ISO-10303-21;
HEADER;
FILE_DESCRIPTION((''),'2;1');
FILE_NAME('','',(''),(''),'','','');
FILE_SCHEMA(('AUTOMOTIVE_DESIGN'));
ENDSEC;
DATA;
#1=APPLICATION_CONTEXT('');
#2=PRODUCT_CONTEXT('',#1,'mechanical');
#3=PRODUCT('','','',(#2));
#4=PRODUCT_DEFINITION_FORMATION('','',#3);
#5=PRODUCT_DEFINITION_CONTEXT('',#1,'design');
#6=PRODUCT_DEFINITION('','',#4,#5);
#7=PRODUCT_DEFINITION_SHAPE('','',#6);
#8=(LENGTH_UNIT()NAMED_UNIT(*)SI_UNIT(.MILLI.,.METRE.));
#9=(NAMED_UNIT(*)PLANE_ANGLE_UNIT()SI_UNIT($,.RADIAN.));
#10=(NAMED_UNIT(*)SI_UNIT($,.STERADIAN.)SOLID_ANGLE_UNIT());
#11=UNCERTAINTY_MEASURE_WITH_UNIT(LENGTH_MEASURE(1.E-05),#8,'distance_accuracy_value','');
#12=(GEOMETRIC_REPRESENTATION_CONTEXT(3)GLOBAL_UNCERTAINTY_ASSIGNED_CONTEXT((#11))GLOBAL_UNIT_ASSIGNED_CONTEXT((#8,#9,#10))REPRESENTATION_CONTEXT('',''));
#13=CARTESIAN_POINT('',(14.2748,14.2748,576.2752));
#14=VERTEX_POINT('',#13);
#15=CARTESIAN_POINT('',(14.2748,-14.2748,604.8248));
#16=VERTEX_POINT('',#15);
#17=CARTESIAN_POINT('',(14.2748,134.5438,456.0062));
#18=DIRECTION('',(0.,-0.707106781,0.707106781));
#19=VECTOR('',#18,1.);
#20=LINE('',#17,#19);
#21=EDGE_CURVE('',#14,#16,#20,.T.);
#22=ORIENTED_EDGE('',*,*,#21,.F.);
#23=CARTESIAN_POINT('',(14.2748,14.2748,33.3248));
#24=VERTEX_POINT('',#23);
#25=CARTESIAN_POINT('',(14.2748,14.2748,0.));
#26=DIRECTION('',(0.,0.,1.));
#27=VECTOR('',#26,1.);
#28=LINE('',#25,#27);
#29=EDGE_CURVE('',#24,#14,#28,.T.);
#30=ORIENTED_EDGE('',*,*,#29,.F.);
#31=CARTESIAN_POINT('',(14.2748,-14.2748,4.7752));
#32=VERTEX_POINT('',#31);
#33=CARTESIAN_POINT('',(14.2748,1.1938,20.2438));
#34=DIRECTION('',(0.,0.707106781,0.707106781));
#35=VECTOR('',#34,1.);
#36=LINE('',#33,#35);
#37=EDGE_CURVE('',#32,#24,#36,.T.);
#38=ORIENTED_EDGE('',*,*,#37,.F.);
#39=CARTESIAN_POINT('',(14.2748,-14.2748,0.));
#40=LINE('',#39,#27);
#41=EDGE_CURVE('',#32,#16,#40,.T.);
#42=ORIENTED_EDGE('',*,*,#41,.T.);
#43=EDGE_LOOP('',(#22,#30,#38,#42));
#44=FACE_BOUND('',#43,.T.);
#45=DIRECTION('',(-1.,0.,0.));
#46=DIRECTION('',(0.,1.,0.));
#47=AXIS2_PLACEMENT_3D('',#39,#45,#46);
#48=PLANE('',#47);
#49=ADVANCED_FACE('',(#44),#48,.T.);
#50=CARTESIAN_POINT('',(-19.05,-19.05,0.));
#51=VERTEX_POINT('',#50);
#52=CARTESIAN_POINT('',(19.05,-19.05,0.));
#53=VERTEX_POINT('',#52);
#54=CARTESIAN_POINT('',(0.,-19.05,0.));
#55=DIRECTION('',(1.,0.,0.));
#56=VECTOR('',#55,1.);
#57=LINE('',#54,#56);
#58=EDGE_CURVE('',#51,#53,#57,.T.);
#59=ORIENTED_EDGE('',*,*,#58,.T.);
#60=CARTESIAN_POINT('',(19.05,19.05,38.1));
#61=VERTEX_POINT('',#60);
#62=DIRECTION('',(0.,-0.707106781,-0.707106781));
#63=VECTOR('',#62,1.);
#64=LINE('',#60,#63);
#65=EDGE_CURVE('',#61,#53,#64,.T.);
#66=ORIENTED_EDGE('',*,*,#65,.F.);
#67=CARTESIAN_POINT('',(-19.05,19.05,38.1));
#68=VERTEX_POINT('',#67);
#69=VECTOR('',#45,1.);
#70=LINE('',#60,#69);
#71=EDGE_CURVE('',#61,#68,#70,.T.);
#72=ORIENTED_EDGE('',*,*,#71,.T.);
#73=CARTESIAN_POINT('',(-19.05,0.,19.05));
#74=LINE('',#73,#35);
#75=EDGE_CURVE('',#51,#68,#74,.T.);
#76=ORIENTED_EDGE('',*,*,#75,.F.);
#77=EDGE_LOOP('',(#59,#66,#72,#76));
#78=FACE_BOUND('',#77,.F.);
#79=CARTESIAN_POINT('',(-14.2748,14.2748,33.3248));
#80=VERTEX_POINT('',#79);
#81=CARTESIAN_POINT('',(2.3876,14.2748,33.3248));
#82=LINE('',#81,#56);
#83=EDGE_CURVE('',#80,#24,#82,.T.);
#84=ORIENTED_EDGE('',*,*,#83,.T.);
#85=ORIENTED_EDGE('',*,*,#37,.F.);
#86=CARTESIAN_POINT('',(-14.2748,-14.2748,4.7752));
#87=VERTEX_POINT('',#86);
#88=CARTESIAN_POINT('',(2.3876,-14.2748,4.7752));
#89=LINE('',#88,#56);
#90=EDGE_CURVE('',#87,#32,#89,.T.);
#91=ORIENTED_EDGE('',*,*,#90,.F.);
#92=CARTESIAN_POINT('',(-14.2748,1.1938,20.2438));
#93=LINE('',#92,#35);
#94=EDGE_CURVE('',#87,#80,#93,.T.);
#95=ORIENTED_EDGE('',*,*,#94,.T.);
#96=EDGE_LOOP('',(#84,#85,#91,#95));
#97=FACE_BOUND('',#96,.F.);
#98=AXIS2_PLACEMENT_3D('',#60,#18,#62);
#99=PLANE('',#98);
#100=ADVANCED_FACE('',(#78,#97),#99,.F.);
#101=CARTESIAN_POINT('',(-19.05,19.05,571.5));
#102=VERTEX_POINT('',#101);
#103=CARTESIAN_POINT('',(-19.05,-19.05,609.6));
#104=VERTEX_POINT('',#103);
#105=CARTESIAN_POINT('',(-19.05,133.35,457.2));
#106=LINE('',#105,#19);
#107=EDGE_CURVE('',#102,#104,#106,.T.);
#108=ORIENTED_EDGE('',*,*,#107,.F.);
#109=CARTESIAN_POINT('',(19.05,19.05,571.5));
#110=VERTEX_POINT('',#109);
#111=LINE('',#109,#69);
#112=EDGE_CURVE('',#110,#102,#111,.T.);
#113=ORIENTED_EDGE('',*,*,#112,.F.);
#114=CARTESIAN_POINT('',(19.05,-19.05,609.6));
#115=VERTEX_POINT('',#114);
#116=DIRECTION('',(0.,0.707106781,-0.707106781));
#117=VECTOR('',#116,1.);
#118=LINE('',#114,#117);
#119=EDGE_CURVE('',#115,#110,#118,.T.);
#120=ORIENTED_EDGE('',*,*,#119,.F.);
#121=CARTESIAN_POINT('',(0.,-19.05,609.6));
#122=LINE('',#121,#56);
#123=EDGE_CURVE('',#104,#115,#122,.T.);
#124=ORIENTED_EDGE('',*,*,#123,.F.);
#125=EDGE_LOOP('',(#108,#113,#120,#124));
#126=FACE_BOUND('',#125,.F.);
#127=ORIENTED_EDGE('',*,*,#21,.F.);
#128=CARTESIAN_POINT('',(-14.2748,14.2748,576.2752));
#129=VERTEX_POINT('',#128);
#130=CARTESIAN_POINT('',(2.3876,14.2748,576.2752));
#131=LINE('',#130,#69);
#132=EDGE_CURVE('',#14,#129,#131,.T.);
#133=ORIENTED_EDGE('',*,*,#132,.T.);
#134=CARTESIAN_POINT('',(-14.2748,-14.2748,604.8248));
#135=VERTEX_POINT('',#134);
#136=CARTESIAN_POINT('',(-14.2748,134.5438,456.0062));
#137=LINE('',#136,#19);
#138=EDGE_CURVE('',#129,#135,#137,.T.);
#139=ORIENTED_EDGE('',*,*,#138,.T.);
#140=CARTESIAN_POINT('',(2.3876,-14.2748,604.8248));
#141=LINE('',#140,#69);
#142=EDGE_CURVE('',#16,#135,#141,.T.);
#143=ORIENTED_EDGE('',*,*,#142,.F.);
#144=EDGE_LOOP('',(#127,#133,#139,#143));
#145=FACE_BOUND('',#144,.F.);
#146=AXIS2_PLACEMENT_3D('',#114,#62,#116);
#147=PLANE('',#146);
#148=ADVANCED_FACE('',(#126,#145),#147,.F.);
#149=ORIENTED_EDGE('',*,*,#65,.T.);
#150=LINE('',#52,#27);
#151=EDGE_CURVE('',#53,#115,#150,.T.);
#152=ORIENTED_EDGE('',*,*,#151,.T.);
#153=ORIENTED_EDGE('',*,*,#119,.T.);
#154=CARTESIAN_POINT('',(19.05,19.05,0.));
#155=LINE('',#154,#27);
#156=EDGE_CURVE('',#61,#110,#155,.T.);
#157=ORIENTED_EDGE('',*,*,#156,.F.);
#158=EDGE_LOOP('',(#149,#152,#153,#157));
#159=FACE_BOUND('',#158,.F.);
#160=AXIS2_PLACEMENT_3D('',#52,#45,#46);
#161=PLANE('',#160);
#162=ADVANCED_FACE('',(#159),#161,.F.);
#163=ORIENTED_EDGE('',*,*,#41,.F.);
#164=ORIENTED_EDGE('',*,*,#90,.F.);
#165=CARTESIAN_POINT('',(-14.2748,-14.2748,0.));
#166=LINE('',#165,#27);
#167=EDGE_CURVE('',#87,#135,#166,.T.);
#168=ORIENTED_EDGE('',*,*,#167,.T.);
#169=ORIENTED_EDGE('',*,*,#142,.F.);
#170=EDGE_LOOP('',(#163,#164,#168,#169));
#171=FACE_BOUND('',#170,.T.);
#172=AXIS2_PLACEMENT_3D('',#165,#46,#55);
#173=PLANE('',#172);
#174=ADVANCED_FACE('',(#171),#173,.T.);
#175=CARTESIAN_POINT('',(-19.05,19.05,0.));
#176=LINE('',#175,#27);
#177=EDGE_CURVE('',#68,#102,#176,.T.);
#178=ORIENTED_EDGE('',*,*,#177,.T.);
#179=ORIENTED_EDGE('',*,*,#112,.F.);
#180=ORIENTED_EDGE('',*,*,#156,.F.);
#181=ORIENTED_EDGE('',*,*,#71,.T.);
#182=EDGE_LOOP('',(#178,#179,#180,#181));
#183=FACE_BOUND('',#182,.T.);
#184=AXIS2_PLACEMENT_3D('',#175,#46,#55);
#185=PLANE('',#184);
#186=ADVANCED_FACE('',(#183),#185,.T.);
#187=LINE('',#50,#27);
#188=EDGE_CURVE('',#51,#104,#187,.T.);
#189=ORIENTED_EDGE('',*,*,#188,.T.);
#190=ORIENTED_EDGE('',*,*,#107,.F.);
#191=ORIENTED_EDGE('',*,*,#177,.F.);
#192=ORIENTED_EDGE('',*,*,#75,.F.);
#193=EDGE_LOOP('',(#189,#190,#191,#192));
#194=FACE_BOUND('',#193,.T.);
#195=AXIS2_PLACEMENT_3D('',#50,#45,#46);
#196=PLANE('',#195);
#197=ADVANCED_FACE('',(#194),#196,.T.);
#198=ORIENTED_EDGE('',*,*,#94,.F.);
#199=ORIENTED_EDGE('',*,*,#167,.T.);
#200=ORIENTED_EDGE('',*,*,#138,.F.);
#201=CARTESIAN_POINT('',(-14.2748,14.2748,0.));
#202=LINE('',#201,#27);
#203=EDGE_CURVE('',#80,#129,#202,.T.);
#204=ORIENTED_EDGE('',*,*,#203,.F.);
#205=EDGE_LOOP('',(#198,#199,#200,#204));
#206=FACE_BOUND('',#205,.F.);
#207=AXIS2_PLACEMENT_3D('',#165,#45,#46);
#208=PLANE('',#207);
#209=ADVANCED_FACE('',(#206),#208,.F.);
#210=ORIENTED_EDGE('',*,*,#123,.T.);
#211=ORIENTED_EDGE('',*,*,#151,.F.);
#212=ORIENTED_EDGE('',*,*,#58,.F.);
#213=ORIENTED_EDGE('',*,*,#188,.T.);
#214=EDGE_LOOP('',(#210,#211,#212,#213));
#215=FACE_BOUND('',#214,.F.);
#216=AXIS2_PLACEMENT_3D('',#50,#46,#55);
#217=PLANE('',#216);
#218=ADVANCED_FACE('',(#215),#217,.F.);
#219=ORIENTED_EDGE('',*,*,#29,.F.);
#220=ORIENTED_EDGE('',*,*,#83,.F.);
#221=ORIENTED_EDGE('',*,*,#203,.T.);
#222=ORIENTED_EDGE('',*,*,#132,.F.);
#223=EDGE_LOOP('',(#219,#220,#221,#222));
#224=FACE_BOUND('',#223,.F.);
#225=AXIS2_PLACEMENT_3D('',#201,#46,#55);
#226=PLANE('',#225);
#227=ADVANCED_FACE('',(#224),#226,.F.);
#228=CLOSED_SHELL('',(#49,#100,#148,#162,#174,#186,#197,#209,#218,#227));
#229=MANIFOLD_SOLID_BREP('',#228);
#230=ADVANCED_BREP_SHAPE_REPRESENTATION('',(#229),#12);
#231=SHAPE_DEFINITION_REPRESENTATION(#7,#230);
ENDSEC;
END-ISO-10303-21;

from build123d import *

# Parameters (mm, degrees)
F0_W     = 38.1
F0_H     = 38.1
F0_W_2   = 28.5496
F0_H_2   = 28.5496
F1_DEPTH = 609.6
F3_DEPTH = 38.101
F4_DEPTH = 38.101


with BuildPart() as f1:
    # F0 (on Top) → F1 (new body)
    with BuildSketch(Plane.XY):
        Rectangle(F0_W, F0_H)
        Rectangle(F0_W_2, F0_H_2, mode=Mode.SUBTRACT)
    extrude(amount=F1_DEPTH)

    # F2 (on face) → F3 (cut, through all)
    with BuildSketch(Plane.YZ.offset(19.05)):
        Polygon((19.05, 38.1), (-19.05, 0), (19.05, 0), align=None)
    extrude(amount=-F3_DEPTH, mode=Mode.SUBTRACT)

    # F2 (on face) → F4 (cut, through all)
    with BuildSketch(Plane.YZ.offset(19.05)):
        Polygon((19.05, 609.6), (-19.05, 609.6), (19.05, 571.5), align=None)
    extrude(amount=-F4_DEPTH, mode=Mode.SUBTRACT)


solid = f1.part
